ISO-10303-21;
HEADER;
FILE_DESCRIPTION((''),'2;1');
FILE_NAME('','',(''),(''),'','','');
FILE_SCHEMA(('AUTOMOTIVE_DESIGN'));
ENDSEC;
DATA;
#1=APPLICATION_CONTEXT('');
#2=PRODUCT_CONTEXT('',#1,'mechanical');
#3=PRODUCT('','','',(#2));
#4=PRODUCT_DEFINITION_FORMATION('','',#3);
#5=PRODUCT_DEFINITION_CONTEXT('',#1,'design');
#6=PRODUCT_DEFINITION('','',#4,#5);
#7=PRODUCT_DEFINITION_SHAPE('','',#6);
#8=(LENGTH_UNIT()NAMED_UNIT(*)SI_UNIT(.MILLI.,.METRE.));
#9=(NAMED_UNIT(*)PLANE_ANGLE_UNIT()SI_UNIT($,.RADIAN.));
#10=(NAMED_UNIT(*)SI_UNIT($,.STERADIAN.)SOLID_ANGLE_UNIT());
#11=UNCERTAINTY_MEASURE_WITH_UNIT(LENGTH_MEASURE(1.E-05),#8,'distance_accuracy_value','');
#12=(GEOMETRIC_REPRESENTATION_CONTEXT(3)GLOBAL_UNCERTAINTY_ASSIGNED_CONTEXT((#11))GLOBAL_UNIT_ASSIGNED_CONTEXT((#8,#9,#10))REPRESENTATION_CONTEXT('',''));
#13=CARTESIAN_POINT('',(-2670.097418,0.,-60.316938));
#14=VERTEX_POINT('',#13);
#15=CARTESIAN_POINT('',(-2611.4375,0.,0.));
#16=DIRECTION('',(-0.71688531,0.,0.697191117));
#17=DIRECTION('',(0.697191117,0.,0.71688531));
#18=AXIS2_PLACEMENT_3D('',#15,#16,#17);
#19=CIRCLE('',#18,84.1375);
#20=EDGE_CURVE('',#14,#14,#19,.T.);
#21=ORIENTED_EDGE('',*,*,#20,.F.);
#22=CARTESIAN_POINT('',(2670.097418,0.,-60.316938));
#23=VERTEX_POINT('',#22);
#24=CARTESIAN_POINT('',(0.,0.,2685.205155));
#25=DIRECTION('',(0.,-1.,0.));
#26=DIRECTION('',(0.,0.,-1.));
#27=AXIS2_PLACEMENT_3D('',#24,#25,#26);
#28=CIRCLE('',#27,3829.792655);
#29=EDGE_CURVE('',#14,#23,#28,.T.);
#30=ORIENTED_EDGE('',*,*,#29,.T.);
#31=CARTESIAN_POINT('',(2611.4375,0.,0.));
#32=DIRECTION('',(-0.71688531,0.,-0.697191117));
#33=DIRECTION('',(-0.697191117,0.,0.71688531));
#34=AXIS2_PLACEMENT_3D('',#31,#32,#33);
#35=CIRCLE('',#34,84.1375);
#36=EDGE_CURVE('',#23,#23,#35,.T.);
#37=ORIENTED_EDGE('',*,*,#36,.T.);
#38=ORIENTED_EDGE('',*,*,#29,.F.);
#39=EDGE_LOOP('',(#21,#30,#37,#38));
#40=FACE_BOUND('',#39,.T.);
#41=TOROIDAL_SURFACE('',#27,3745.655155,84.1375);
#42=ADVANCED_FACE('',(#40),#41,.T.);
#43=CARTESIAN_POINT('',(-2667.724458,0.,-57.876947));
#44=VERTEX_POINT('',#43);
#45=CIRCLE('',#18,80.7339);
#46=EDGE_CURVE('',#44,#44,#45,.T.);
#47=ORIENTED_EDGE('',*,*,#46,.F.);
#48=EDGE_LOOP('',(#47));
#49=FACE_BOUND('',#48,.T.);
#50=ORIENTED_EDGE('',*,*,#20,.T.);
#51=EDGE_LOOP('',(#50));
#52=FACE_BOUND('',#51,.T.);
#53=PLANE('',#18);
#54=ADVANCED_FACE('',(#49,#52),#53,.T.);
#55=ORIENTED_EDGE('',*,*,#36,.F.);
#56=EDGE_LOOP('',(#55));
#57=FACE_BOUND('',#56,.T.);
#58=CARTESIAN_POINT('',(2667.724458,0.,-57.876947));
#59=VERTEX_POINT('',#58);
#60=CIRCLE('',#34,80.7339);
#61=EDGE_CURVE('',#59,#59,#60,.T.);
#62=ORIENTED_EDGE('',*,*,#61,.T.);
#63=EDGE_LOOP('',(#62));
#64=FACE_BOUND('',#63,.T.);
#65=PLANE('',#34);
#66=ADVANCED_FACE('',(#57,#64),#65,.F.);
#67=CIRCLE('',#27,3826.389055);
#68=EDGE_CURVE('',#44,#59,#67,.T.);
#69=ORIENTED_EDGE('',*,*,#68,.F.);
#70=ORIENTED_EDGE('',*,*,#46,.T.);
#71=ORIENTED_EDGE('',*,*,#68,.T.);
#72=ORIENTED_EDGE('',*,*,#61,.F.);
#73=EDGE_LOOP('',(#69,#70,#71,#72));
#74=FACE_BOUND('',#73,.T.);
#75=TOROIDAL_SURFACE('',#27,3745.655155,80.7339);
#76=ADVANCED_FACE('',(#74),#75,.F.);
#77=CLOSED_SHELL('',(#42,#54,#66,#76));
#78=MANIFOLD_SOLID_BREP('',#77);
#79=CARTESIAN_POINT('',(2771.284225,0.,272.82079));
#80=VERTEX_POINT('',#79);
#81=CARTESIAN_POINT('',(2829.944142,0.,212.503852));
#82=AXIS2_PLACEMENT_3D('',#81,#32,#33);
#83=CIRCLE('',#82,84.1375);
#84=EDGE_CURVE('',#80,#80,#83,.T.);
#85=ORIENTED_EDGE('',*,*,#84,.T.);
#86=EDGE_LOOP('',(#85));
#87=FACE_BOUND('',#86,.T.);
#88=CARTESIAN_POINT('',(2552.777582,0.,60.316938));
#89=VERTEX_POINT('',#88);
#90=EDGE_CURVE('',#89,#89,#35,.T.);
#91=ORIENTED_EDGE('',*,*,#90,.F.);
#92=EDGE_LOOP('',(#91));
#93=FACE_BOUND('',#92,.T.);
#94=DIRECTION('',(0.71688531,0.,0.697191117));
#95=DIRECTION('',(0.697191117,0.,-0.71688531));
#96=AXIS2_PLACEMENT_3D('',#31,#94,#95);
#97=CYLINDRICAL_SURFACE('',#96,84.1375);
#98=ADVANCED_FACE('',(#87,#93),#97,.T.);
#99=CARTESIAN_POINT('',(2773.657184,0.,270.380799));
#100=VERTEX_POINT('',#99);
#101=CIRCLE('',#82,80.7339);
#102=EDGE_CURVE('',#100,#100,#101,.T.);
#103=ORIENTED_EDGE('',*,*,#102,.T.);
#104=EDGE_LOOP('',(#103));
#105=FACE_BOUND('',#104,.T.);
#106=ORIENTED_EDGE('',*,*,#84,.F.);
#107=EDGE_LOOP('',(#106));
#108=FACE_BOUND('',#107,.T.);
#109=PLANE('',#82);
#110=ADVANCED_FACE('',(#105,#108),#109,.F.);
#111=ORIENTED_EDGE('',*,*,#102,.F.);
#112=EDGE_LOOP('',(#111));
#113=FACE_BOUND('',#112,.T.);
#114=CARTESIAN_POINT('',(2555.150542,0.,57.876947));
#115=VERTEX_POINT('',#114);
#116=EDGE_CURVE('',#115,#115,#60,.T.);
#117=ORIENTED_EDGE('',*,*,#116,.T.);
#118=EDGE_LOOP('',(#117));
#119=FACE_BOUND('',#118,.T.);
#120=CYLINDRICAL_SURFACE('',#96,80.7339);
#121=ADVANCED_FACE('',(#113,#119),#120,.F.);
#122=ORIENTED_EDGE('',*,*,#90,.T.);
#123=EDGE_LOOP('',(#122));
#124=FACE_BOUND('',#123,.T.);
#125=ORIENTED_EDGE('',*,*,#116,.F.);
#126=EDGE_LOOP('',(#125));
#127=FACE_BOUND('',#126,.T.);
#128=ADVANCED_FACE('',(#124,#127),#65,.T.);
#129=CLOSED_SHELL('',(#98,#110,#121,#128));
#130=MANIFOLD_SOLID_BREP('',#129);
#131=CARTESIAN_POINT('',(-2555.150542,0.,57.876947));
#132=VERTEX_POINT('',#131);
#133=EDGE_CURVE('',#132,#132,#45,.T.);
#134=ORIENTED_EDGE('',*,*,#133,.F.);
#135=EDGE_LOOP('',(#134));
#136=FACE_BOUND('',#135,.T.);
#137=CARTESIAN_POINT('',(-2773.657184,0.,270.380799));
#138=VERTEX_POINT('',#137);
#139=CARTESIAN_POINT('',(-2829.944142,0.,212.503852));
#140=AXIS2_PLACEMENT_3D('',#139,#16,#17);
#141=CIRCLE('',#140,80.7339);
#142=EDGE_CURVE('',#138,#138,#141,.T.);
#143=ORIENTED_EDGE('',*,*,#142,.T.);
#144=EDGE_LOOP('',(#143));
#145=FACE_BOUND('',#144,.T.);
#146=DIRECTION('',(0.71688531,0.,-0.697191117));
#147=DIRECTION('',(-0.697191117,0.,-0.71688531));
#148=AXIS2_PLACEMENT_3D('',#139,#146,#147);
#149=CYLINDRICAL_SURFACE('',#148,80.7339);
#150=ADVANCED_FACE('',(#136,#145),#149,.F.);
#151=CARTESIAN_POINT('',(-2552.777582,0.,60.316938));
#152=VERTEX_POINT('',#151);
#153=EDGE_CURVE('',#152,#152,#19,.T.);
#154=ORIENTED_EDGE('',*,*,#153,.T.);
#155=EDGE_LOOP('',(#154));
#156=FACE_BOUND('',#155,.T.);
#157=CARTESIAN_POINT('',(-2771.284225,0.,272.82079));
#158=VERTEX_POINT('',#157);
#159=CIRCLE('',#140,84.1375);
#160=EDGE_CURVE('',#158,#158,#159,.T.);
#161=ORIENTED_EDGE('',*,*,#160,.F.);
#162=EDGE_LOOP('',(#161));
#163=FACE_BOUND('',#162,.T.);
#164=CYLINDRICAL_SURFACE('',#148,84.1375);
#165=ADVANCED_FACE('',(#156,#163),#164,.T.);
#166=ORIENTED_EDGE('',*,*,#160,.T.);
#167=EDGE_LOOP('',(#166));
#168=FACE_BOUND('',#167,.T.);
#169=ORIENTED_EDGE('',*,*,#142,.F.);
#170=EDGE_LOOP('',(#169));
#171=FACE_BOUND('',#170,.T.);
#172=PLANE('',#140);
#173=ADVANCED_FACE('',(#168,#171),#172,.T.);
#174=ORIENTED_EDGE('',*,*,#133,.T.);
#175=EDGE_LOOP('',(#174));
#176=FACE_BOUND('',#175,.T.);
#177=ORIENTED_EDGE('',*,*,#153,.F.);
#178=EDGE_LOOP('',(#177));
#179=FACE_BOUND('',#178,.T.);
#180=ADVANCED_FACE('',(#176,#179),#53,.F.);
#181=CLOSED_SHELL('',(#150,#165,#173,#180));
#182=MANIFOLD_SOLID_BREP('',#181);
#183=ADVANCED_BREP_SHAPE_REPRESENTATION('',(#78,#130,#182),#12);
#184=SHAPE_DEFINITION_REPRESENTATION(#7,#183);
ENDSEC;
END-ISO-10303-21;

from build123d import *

# Parameters (mm, degrees)
SKETCH12_R                 = 84.1375
SKETCH12_R_2               = 80.7339
STRUCTURAL_MEMBER1_DEPTH   = 304.8
SKETCH12_ON_SEGMENT_2_R    = 84.1375
SKETCH12_ON_SEGMENT_2_R_2  = 80.7339
STRUCTURAL_MEMBER1_2_ANGLE = 88.404158125
SKETCH12_ON_SEGMENT_3_R    = 84.1375
SKETCH12_ON_SEGMENT_3_R_2  = 80.7339
STRUCTURAL_MEMBER1_3_DEPTH = 304.8


with BuildPart() as part:
    # Sketch12 → Structural Member1 (new body)
    with BuildSketch(Plane(origin=(2611.4375, 0, 0), x_dir=(-0.6971911165647129, 0, 0.7168853095044206), z_dir=(-0.7168853095044206, 0, -0.6971911165647129))):
        Circle(SKETCH12_R)
        Circle(SKETCH12_R_2, mode=Mode.SUBTRACT)
    extrude(amount=-STRUCTURAL_MEMBER1_DEPTH)


with BuildPart() as body_2:
    # Sketch12 on segment 2 (carried to the start of arc 2) → Structural Member1 2 (revolve)
    with BuildSketch(Plane(origin=(2611.4375, 0, 0), x_dir=(0.697191117, 0, -0.71688531), z_dir=(0.71688531, 0, 0.697191117))):
        Circle(SKETCH12_ON_SEGMENT_2_R)
        Circle(SKETCH12_ON_SEGMENT_2_R_2, mode=Mode.SUBTRACT)
    revolve(axis=Axis((0, 0, 2685.205155314), (0, 1, 0)), revolution_arc=STRUCTURAL_MEMBER1_2_ANGLE)


with BuildPart() as body_3:
    # Sketch12 on segment 3 (carried to segment 3) → Structural Member1 3 (new body)
    with BuildSketch(Plane(origin=(-2829.944142337, 0, 212.503852329), x_dir=(-0.697191117, 0, -0.71688531), z_dir=(0.71688531, 0, -0.697191117))):
        Circle(SKETCH12_ON_SEGMENT_3_R)
        Circle(SKETCH12_ON_SEGMENT_3_R_2, mode=Mode.SUBTRACT)
    extrude(amount=STRUCTURAL_MEMBER1_3_DEPTH)


solid = Compound([part.part, body_2.part, body_3.part])
